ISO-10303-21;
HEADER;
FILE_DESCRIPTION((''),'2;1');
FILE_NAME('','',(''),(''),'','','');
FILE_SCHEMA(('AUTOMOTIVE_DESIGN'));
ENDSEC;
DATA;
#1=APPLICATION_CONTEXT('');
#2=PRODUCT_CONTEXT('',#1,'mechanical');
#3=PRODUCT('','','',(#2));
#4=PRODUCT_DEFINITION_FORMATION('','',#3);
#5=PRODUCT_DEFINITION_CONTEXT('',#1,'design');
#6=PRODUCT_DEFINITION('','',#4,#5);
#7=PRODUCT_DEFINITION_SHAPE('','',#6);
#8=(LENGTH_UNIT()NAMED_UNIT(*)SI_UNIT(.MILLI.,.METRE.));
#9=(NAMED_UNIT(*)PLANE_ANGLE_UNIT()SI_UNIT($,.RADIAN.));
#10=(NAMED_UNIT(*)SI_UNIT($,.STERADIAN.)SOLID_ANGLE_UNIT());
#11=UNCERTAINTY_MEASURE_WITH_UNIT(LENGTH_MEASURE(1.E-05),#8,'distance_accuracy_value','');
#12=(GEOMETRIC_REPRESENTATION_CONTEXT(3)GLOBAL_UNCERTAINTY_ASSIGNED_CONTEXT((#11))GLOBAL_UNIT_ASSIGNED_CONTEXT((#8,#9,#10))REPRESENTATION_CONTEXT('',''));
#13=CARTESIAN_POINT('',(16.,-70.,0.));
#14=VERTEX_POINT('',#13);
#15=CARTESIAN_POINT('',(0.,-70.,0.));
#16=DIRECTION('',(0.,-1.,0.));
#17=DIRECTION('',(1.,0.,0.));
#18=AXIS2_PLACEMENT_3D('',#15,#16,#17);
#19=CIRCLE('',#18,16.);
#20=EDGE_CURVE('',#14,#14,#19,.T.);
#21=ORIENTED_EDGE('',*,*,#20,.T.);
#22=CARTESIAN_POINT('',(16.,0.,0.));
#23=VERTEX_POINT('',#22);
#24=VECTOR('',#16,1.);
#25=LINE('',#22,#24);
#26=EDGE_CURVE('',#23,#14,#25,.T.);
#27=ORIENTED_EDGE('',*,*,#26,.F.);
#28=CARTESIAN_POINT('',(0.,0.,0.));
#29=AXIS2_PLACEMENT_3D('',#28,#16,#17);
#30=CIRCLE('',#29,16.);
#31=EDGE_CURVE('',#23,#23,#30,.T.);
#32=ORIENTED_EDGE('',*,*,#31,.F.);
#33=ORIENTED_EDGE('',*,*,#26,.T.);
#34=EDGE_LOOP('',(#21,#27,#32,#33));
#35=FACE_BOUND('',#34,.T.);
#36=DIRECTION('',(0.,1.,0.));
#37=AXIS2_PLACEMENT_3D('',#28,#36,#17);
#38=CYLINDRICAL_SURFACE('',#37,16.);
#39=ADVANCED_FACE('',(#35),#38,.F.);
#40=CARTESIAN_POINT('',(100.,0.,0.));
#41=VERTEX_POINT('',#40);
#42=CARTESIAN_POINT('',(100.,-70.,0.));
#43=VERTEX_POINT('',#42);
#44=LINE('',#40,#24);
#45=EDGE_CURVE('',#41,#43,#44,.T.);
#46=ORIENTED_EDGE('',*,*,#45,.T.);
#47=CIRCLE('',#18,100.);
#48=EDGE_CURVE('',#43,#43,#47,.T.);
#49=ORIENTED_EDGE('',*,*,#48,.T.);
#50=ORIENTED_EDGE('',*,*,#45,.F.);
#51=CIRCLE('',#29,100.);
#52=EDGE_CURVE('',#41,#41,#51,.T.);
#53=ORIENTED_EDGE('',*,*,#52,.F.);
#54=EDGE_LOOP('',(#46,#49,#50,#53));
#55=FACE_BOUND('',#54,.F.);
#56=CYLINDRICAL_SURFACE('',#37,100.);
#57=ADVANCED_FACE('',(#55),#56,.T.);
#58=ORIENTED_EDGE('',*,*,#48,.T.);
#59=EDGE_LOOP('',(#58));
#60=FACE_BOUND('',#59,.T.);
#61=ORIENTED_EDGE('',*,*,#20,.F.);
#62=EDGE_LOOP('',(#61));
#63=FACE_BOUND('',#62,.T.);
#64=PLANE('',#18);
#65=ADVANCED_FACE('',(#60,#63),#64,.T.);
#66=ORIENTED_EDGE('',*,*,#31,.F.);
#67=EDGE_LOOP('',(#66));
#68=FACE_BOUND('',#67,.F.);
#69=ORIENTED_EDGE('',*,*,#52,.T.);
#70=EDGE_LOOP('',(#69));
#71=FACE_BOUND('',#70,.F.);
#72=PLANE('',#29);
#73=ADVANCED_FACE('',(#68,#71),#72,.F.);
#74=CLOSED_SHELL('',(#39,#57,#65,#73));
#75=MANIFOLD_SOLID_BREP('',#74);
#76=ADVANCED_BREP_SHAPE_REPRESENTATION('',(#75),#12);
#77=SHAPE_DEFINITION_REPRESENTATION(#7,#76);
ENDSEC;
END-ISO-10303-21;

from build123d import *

# Parameters (mm, degrees)
SKETCH_R   = 100
SKETCH_R_2 = 16
PAD_DEPTH  = 70


with BuildPart() as part:
    # Sketch → Pad (new body)
    with BuildSketch(Plane.XZ):
        Circle(SKETCH_R)
        Circle(SKETCH_R_2, mode=Mode.SUBTRACT)
    extrude(amount=PAD_DEPTH)


solid = part.part
